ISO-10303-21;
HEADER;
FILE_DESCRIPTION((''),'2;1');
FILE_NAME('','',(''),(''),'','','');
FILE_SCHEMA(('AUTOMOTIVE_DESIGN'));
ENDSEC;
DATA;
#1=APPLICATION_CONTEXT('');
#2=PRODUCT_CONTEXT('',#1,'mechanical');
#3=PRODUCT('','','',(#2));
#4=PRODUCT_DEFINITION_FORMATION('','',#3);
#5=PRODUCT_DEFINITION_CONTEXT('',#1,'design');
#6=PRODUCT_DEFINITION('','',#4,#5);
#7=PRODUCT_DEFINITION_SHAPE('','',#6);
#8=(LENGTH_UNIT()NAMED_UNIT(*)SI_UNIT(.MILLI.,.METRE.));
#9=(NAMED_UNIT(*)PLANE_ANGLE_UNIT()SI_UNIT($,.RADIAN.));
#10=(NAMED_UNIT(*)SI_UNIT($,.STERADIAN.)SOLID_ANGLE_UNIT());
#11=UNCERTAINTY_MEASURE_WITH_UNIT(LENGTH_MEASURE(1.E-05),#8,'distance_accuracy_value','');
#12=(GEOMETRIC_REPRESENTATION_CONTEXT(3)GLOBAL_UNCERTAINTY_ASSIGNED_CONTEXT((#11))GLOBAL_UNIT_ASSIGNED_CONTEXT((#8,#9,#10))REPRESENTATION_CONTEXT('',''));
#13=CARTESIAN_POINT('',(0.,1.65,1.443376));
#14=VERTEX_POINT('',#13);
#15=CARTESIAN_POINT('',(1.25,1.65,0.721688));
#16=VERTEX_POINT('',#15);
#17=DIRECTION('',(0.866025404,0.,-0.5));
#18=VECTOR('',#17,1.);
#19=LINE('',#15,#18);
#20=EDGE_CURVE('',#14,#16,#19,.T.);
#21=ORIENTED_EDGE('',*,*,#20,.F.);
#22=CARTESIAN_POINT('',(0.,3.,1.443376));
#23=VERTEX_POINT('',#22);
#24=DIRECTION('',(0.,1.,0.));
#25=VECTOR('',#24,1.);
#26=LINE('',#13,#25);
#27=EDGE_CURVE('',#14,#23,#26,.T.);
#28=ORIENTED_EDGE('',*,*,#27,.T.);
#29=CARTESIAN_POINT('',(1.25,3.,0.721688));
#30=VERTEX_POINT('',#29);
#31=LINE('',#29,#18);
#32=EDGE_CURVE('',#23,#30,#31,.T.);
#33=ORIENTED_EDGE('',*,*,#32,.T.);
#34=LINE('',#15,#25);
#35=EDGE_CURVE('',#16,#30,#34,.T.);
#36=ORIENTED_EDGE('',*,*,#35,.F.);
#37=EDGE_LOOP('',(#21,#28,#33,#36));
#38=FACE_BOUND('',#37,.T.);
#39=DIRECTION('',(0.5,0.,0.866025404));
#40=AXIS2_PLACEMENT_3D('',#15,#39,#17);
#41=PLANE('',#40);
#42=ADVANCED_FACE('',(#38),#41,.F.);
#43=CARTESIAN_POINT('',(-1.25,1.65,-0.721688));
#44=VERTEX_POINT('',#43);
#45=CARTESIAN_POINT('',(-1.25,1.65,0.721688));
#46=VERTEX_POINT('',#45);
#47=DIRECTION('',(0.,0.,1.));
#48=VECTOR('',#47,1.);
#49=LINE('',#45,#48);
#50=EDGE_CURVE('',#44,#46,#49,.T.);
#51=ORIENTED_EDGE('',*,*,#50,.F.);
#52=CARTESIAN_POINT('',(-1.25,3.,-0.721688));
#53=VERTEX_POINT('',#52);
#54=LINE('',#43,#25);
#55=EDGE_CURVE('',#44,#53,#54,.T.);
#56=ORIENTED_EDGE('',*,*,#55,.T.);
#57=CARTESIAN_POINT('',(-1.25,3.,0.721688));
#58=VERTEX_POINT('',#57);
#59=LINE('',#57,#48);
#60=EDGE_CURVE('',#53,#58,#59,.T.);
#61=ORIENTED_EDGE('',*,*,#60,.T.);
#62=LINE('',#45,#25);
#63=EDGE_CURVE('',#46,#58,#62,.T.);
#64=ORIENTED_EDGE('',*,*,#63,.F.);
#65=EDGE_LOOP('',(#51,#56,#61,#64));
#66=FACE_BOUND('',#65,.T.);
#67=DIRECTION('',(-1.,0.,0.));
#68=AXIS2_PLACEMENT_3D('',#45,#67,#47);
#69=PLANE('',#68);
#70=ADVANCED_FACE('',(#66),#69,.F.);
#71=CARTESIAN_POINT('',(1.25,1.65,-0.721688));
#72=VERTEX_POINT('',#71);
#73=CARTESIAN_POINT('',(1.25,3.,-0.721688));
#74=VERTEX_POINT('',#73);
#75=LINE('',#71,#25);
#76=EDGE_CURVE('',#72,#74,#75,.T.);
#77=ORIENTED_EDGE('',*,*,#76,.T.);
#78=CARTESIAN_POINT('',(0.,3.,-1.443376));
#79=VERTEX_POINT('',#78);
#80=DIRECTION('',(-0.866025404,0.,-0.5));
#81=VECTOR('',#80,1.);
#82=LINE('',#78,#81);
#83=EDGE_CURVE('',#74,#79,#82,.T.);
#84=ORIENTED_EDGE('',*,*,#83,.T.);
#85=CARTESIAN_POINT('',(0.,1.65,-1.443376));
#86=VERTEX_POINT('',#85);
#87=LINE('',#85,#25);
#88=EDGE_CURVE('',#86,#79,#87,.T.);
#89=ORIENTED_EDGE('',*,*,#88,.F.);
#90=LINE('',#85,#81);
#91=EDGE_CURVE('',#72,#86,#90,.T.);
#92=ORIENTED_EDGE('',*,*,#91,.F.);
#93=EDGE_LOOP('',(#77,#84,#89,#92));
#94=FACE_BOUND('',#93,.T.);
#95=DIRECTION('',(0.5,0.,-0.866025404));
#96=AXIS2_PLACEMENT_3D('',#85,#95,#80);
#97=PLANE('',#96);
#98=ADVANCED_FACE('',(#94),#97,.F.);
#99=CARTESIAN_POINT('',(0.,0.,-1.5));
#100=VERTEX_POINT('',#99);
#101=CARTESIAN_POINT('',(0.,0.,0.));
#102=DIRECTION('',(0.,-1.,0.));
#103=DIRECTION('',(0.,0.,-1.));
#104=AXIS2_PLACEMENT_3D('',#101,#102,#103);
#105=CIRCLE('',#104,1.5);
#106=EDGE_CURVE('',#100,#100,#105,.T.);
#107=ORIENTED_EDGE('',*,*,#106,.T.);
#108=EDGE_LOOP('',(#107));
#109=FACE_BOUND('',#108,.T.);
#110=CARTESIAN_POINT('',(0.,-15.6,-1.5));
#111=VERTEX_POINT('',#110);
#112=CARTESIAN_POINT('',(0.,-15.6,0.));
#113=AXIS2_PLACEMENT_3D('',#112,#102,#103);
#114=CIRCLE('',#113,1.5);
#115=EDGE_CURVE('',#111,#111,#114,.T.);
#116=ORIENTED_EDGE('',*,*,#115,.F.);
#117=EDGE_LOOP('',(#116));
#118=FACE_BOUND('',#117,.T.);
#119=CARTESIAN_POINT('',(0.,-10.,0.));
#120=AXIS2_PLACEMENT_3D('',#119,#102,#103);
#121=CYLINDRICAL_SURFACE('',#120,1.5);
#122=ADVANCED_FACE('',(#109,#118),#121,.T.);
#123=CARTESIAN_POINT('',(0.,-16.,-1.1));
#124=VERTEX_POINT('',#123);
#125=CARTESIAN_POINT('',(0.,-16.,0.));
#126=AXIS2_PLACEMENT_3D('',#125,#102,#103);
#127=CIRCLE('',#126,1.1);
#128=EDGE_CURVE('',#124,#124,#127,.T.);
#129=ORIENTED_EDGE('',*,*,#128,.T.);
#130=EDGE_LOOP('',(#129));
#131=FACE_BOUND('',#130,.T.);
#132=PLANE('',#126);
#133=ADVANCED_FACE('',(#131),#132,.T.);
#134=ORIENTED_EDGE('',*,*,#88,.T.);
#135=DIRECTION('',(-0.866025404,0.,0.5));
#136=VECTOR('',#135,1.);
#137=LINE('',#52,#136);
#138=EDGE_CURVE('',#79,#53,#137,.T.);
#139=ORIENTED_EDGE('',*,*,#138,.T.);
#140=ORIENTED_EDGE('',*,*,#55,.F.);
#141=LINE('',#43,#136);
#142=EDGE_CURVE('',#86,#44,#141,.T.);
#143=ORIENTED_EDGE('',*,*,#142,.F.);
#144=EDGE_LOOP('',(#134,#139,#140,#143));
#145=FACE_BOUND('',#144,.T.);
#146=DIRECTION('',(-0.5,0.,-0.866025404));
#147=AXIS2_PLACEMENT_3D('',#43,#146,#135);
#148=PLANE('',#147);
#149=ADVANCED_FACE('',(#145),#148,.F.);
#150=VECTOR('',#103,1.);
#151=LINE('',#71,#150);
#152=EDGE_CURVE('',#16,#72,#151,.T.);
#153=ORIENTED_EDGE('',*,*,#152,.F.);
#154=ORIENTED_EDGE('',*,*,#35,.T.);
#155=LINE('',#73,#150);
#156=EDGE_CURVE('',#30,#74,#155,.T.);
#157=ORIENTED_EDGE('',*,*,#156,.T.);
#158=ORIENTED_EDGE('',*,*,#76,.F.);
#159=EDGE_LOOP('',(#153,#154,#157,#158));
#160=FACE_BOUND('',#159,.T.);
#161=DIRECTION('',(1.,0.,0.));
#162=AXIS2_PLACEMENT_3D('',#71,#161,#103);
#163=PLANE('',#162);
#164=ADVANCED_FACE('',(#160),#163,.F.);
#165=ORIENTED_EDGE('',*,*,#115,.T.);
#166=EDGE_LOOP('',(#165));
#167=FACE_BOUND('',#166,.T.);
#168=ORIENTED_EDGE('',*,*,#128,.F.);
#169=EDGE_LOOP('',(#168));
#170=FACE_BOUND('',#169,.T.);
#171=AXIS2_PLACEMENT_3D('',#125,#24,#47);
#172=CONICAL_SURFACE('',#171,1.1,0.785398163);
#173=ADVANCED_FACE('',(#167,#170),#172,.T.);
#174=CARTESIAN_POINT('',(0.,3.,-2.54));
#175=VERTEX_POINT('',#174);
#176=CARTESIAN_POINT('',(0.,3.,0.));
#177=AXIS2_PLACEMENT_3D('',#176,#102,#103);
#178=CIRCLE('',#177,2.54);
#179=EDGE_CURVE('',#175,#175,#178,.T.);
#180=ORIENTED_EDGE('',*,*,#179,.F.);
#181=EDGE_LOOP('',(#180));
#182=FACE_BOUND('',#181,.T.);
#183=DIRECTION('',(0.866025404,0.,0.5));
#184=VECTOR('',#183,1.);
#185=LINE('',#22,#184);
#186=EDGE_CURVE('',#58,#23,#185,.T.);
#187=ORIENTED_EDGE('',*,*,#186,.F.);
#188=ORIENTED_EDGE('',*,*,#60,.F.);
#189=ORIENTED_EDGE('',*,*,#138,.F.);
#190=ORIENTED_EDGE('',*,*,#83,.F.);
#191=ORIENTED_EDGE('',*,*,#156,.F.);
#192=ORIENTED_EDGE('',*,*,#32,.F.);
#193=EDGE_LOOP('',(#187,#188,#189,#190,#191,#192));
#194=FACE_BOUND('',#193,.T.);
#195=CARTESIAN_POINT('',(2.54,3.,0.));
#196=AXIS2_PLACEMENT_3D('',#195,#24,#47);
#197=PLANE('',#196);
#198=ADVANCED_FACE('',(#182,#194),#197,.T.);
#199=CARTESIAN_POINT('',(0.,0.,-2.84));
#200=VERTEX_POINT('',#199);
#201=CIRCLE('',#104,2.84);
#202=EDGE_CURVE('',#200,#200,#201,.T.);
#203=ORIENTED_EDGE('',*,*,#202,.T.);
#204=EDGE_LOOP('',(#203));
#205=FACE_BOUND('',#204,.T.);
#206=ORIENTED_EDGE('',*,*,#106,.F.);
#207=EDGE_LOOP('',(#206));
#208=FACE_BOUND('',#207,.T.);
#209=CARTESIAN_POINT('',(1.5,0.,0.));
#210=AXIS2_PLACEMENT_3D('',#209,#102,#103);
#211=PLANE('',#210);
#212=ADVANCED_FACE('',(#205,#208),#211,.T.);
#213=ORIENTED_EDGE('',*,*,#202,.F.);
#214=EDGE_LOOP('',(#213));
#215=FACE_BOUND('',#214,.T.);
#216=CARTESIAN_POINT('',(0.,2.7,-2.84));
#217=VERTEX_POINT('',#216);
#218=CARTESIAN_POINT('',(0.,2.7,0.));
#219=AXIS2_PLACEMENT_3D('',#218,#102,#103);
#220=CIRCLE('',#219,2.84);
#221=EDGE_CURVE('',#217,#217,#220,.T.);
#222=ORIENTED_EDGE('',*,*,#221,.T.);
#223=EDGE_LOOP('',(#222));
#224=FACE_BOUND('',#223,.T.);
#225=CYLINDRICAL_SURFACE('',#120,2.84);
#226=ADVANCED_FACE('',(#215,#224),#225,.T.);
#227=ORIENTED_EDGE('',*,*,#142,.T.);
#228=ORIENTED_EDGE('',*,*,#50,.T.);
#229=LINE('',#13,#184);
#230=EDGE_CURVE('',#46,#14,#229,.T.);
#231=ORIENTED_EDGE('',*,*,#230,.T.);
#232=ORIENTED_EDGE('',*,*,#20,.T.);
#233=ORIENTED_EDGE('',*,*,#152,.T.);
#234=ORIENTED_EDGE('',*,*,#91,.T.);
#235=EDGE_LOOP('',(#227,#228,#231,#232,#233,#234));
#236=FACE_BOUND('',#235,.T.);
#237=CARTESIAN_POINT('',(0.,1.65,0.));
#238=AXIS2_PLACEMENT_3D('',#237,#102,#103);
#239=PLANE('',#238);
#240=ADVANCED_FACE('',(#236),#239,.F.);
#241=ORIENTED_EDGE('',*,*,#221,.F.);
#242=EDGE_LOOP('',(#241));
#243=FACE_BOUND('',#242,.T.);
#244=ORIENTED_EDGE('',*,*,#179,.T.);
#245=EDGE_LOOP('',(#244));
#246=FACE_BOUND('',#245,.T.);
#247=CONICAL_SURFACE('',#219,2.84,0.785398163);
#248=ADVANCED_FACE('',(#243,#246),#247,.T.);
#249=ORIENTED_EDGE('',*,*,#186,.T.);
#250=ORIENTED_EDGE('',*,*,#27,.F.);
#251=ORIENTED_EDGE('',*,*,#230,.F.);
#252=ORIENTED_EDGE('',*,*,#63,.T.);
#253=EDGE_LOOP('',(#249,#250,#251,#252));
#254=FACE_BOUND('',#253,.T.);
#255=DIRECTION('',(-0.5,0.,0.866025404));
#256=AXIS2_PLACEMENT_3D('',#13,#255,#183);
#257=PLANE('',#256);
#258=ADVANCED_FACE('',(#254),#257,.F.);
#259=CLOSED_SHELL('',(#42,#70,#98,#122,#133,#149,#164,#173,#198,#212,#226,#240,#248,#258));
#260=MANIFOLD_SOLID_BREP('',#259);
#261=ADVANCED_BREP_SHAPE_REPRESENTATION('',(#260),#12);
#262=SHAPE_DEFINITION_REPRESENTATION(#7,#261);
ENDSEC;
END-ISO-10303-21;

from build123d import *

# Parameters (mm, degrees)
CUT_EXTRUDE1_DEPTH = 1.35


with BuildPart() as part:
    # Sketch1 → Revolve1 (revolve)
    with BuildSketch(Plane.XY, mode=Mode.PRIVATE) as revolve1_sk:
        Polygon((0, -16), (1.1, -16), (1.5, -15.6), (1.5, 0), (2.84, 0), (2.84, 2.7), (2.54, 3), (0, 3), align=None)
    revolve(revolve1_sk.sketch.rotate(Axis((0, -10, 0), (0, 1, 0)), 90), axis=Axis((0, -10, 0), (0, 1, 0)))

    # Sketch2 → Cut-Extrude1 (cut)
    with BuildSketch(Plane(origin=(0, 3, 0), x_dir=(1, 0, 0), z_dir=(0, 1, 0))):
        Polygon((1.25, -0.721687836), (0, -1.443375673), (-1.25, -0.721687836), (-1.25, 0.721687836), (0, 1.443375673), (1.25, 0.721687836), align=None)
    extrude(amount=-CUT_EXTRUDE1_DEPTH, mode=Mode.SUBTRACT)


solid = part.part
